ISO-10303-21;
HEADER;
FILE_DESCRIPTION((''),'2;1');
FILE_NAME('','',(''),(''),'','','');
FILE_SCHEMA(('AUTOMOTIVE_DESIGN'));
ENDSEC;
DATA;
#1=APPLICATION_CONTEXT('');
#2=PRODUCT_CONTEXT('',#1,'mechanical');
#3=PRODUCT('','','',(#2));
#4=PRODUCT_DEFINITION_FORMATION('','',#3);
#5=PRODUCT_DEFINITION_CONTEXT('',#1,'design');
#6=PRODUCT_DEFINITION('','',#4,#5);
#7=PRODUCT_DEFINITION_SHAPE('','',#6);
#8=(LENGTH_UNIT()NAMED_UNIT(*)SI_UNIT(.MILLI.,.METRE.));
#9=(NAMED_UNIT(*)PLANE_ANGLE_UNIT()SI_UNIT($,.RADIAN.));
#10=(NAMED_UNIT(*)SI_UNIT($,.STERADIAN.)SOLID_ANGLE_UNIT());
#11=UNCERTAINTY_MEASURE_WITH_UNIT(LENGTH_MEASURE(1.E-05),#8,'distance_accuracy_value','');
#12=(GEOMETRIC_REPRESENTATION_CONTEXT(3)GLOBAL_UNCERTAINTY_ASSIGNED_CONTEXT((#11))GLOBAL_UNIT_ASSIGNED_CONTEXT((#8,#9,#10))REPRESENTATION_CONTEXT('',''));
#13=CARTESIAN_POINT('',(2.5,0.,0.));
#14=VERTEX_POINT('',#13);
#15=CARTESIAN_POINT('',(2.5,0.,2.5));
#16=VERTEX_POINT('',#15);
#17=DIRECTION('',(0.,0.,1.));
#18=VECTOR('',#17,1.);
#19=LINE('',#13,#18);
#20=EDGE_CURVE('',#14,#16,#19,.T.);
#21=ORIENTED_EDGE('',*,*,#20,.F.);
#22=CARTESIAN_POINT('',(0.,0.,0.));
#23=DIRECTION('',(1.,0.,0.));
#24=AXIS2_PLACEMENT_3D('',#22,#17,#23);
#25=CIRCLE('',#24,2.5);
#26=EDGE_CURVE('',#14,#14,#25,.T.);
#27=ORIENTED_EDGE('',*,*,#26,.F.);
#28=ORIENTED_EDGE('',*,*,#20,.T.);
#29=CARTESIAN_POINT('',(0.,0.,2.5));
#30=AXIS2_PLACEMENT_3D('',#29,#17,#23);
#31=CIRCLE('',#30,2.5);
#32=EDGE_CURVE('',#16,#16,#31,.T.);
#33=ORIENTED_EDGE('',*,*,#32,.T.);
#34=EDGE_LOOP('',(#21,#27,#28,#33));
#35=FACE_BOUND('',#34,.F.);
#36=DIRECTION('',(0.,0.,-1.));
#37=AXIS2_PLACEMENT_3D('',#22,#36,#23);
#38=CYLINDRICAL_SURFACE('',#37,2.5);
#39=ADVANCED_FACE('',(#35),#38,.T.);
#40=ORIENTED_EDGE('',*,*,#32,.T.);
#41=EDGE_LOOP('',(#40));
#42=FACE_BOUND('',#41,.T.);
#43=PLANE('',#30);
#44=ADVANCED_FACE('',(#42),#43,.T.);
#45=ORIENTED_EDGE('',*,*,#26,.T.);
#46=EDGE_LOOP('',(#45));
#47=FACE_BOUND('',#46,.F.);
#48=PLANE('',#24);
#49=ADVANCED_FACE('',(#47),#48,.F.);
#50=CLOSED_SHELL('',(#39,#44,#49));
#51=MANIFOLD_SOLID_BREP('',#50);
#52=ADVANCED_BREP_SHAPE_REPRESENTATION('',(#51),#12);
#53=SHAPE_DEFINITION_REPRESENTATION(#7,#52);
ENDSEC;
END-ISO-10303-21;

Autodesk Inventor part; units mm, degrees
ref_plane "YZ Plane" through (0, 0, 0) normal (1, 0, 0) x (0, 1, 0)
ref_plane "XZ Plane" through (0, 0, 0) normal (0, 1, 0) x (-1, 0, 0)
ref_plane "XY Plane" through (0, 0, 0) normal (0, 0, 1) x (1, 0, 0)
sketch "Sketch1" plane through (0, 0, 0) normal (0, 0, 1) x (1, 0, 0)
  circle A0 centre (0, 0) radius 2.5
  dimension "d0" = 5
extrude "Extrusion1" add sketch "Sketch1" along normal blind 2.5
properties part number "ArmEncoderShaftMagnet6mm"
